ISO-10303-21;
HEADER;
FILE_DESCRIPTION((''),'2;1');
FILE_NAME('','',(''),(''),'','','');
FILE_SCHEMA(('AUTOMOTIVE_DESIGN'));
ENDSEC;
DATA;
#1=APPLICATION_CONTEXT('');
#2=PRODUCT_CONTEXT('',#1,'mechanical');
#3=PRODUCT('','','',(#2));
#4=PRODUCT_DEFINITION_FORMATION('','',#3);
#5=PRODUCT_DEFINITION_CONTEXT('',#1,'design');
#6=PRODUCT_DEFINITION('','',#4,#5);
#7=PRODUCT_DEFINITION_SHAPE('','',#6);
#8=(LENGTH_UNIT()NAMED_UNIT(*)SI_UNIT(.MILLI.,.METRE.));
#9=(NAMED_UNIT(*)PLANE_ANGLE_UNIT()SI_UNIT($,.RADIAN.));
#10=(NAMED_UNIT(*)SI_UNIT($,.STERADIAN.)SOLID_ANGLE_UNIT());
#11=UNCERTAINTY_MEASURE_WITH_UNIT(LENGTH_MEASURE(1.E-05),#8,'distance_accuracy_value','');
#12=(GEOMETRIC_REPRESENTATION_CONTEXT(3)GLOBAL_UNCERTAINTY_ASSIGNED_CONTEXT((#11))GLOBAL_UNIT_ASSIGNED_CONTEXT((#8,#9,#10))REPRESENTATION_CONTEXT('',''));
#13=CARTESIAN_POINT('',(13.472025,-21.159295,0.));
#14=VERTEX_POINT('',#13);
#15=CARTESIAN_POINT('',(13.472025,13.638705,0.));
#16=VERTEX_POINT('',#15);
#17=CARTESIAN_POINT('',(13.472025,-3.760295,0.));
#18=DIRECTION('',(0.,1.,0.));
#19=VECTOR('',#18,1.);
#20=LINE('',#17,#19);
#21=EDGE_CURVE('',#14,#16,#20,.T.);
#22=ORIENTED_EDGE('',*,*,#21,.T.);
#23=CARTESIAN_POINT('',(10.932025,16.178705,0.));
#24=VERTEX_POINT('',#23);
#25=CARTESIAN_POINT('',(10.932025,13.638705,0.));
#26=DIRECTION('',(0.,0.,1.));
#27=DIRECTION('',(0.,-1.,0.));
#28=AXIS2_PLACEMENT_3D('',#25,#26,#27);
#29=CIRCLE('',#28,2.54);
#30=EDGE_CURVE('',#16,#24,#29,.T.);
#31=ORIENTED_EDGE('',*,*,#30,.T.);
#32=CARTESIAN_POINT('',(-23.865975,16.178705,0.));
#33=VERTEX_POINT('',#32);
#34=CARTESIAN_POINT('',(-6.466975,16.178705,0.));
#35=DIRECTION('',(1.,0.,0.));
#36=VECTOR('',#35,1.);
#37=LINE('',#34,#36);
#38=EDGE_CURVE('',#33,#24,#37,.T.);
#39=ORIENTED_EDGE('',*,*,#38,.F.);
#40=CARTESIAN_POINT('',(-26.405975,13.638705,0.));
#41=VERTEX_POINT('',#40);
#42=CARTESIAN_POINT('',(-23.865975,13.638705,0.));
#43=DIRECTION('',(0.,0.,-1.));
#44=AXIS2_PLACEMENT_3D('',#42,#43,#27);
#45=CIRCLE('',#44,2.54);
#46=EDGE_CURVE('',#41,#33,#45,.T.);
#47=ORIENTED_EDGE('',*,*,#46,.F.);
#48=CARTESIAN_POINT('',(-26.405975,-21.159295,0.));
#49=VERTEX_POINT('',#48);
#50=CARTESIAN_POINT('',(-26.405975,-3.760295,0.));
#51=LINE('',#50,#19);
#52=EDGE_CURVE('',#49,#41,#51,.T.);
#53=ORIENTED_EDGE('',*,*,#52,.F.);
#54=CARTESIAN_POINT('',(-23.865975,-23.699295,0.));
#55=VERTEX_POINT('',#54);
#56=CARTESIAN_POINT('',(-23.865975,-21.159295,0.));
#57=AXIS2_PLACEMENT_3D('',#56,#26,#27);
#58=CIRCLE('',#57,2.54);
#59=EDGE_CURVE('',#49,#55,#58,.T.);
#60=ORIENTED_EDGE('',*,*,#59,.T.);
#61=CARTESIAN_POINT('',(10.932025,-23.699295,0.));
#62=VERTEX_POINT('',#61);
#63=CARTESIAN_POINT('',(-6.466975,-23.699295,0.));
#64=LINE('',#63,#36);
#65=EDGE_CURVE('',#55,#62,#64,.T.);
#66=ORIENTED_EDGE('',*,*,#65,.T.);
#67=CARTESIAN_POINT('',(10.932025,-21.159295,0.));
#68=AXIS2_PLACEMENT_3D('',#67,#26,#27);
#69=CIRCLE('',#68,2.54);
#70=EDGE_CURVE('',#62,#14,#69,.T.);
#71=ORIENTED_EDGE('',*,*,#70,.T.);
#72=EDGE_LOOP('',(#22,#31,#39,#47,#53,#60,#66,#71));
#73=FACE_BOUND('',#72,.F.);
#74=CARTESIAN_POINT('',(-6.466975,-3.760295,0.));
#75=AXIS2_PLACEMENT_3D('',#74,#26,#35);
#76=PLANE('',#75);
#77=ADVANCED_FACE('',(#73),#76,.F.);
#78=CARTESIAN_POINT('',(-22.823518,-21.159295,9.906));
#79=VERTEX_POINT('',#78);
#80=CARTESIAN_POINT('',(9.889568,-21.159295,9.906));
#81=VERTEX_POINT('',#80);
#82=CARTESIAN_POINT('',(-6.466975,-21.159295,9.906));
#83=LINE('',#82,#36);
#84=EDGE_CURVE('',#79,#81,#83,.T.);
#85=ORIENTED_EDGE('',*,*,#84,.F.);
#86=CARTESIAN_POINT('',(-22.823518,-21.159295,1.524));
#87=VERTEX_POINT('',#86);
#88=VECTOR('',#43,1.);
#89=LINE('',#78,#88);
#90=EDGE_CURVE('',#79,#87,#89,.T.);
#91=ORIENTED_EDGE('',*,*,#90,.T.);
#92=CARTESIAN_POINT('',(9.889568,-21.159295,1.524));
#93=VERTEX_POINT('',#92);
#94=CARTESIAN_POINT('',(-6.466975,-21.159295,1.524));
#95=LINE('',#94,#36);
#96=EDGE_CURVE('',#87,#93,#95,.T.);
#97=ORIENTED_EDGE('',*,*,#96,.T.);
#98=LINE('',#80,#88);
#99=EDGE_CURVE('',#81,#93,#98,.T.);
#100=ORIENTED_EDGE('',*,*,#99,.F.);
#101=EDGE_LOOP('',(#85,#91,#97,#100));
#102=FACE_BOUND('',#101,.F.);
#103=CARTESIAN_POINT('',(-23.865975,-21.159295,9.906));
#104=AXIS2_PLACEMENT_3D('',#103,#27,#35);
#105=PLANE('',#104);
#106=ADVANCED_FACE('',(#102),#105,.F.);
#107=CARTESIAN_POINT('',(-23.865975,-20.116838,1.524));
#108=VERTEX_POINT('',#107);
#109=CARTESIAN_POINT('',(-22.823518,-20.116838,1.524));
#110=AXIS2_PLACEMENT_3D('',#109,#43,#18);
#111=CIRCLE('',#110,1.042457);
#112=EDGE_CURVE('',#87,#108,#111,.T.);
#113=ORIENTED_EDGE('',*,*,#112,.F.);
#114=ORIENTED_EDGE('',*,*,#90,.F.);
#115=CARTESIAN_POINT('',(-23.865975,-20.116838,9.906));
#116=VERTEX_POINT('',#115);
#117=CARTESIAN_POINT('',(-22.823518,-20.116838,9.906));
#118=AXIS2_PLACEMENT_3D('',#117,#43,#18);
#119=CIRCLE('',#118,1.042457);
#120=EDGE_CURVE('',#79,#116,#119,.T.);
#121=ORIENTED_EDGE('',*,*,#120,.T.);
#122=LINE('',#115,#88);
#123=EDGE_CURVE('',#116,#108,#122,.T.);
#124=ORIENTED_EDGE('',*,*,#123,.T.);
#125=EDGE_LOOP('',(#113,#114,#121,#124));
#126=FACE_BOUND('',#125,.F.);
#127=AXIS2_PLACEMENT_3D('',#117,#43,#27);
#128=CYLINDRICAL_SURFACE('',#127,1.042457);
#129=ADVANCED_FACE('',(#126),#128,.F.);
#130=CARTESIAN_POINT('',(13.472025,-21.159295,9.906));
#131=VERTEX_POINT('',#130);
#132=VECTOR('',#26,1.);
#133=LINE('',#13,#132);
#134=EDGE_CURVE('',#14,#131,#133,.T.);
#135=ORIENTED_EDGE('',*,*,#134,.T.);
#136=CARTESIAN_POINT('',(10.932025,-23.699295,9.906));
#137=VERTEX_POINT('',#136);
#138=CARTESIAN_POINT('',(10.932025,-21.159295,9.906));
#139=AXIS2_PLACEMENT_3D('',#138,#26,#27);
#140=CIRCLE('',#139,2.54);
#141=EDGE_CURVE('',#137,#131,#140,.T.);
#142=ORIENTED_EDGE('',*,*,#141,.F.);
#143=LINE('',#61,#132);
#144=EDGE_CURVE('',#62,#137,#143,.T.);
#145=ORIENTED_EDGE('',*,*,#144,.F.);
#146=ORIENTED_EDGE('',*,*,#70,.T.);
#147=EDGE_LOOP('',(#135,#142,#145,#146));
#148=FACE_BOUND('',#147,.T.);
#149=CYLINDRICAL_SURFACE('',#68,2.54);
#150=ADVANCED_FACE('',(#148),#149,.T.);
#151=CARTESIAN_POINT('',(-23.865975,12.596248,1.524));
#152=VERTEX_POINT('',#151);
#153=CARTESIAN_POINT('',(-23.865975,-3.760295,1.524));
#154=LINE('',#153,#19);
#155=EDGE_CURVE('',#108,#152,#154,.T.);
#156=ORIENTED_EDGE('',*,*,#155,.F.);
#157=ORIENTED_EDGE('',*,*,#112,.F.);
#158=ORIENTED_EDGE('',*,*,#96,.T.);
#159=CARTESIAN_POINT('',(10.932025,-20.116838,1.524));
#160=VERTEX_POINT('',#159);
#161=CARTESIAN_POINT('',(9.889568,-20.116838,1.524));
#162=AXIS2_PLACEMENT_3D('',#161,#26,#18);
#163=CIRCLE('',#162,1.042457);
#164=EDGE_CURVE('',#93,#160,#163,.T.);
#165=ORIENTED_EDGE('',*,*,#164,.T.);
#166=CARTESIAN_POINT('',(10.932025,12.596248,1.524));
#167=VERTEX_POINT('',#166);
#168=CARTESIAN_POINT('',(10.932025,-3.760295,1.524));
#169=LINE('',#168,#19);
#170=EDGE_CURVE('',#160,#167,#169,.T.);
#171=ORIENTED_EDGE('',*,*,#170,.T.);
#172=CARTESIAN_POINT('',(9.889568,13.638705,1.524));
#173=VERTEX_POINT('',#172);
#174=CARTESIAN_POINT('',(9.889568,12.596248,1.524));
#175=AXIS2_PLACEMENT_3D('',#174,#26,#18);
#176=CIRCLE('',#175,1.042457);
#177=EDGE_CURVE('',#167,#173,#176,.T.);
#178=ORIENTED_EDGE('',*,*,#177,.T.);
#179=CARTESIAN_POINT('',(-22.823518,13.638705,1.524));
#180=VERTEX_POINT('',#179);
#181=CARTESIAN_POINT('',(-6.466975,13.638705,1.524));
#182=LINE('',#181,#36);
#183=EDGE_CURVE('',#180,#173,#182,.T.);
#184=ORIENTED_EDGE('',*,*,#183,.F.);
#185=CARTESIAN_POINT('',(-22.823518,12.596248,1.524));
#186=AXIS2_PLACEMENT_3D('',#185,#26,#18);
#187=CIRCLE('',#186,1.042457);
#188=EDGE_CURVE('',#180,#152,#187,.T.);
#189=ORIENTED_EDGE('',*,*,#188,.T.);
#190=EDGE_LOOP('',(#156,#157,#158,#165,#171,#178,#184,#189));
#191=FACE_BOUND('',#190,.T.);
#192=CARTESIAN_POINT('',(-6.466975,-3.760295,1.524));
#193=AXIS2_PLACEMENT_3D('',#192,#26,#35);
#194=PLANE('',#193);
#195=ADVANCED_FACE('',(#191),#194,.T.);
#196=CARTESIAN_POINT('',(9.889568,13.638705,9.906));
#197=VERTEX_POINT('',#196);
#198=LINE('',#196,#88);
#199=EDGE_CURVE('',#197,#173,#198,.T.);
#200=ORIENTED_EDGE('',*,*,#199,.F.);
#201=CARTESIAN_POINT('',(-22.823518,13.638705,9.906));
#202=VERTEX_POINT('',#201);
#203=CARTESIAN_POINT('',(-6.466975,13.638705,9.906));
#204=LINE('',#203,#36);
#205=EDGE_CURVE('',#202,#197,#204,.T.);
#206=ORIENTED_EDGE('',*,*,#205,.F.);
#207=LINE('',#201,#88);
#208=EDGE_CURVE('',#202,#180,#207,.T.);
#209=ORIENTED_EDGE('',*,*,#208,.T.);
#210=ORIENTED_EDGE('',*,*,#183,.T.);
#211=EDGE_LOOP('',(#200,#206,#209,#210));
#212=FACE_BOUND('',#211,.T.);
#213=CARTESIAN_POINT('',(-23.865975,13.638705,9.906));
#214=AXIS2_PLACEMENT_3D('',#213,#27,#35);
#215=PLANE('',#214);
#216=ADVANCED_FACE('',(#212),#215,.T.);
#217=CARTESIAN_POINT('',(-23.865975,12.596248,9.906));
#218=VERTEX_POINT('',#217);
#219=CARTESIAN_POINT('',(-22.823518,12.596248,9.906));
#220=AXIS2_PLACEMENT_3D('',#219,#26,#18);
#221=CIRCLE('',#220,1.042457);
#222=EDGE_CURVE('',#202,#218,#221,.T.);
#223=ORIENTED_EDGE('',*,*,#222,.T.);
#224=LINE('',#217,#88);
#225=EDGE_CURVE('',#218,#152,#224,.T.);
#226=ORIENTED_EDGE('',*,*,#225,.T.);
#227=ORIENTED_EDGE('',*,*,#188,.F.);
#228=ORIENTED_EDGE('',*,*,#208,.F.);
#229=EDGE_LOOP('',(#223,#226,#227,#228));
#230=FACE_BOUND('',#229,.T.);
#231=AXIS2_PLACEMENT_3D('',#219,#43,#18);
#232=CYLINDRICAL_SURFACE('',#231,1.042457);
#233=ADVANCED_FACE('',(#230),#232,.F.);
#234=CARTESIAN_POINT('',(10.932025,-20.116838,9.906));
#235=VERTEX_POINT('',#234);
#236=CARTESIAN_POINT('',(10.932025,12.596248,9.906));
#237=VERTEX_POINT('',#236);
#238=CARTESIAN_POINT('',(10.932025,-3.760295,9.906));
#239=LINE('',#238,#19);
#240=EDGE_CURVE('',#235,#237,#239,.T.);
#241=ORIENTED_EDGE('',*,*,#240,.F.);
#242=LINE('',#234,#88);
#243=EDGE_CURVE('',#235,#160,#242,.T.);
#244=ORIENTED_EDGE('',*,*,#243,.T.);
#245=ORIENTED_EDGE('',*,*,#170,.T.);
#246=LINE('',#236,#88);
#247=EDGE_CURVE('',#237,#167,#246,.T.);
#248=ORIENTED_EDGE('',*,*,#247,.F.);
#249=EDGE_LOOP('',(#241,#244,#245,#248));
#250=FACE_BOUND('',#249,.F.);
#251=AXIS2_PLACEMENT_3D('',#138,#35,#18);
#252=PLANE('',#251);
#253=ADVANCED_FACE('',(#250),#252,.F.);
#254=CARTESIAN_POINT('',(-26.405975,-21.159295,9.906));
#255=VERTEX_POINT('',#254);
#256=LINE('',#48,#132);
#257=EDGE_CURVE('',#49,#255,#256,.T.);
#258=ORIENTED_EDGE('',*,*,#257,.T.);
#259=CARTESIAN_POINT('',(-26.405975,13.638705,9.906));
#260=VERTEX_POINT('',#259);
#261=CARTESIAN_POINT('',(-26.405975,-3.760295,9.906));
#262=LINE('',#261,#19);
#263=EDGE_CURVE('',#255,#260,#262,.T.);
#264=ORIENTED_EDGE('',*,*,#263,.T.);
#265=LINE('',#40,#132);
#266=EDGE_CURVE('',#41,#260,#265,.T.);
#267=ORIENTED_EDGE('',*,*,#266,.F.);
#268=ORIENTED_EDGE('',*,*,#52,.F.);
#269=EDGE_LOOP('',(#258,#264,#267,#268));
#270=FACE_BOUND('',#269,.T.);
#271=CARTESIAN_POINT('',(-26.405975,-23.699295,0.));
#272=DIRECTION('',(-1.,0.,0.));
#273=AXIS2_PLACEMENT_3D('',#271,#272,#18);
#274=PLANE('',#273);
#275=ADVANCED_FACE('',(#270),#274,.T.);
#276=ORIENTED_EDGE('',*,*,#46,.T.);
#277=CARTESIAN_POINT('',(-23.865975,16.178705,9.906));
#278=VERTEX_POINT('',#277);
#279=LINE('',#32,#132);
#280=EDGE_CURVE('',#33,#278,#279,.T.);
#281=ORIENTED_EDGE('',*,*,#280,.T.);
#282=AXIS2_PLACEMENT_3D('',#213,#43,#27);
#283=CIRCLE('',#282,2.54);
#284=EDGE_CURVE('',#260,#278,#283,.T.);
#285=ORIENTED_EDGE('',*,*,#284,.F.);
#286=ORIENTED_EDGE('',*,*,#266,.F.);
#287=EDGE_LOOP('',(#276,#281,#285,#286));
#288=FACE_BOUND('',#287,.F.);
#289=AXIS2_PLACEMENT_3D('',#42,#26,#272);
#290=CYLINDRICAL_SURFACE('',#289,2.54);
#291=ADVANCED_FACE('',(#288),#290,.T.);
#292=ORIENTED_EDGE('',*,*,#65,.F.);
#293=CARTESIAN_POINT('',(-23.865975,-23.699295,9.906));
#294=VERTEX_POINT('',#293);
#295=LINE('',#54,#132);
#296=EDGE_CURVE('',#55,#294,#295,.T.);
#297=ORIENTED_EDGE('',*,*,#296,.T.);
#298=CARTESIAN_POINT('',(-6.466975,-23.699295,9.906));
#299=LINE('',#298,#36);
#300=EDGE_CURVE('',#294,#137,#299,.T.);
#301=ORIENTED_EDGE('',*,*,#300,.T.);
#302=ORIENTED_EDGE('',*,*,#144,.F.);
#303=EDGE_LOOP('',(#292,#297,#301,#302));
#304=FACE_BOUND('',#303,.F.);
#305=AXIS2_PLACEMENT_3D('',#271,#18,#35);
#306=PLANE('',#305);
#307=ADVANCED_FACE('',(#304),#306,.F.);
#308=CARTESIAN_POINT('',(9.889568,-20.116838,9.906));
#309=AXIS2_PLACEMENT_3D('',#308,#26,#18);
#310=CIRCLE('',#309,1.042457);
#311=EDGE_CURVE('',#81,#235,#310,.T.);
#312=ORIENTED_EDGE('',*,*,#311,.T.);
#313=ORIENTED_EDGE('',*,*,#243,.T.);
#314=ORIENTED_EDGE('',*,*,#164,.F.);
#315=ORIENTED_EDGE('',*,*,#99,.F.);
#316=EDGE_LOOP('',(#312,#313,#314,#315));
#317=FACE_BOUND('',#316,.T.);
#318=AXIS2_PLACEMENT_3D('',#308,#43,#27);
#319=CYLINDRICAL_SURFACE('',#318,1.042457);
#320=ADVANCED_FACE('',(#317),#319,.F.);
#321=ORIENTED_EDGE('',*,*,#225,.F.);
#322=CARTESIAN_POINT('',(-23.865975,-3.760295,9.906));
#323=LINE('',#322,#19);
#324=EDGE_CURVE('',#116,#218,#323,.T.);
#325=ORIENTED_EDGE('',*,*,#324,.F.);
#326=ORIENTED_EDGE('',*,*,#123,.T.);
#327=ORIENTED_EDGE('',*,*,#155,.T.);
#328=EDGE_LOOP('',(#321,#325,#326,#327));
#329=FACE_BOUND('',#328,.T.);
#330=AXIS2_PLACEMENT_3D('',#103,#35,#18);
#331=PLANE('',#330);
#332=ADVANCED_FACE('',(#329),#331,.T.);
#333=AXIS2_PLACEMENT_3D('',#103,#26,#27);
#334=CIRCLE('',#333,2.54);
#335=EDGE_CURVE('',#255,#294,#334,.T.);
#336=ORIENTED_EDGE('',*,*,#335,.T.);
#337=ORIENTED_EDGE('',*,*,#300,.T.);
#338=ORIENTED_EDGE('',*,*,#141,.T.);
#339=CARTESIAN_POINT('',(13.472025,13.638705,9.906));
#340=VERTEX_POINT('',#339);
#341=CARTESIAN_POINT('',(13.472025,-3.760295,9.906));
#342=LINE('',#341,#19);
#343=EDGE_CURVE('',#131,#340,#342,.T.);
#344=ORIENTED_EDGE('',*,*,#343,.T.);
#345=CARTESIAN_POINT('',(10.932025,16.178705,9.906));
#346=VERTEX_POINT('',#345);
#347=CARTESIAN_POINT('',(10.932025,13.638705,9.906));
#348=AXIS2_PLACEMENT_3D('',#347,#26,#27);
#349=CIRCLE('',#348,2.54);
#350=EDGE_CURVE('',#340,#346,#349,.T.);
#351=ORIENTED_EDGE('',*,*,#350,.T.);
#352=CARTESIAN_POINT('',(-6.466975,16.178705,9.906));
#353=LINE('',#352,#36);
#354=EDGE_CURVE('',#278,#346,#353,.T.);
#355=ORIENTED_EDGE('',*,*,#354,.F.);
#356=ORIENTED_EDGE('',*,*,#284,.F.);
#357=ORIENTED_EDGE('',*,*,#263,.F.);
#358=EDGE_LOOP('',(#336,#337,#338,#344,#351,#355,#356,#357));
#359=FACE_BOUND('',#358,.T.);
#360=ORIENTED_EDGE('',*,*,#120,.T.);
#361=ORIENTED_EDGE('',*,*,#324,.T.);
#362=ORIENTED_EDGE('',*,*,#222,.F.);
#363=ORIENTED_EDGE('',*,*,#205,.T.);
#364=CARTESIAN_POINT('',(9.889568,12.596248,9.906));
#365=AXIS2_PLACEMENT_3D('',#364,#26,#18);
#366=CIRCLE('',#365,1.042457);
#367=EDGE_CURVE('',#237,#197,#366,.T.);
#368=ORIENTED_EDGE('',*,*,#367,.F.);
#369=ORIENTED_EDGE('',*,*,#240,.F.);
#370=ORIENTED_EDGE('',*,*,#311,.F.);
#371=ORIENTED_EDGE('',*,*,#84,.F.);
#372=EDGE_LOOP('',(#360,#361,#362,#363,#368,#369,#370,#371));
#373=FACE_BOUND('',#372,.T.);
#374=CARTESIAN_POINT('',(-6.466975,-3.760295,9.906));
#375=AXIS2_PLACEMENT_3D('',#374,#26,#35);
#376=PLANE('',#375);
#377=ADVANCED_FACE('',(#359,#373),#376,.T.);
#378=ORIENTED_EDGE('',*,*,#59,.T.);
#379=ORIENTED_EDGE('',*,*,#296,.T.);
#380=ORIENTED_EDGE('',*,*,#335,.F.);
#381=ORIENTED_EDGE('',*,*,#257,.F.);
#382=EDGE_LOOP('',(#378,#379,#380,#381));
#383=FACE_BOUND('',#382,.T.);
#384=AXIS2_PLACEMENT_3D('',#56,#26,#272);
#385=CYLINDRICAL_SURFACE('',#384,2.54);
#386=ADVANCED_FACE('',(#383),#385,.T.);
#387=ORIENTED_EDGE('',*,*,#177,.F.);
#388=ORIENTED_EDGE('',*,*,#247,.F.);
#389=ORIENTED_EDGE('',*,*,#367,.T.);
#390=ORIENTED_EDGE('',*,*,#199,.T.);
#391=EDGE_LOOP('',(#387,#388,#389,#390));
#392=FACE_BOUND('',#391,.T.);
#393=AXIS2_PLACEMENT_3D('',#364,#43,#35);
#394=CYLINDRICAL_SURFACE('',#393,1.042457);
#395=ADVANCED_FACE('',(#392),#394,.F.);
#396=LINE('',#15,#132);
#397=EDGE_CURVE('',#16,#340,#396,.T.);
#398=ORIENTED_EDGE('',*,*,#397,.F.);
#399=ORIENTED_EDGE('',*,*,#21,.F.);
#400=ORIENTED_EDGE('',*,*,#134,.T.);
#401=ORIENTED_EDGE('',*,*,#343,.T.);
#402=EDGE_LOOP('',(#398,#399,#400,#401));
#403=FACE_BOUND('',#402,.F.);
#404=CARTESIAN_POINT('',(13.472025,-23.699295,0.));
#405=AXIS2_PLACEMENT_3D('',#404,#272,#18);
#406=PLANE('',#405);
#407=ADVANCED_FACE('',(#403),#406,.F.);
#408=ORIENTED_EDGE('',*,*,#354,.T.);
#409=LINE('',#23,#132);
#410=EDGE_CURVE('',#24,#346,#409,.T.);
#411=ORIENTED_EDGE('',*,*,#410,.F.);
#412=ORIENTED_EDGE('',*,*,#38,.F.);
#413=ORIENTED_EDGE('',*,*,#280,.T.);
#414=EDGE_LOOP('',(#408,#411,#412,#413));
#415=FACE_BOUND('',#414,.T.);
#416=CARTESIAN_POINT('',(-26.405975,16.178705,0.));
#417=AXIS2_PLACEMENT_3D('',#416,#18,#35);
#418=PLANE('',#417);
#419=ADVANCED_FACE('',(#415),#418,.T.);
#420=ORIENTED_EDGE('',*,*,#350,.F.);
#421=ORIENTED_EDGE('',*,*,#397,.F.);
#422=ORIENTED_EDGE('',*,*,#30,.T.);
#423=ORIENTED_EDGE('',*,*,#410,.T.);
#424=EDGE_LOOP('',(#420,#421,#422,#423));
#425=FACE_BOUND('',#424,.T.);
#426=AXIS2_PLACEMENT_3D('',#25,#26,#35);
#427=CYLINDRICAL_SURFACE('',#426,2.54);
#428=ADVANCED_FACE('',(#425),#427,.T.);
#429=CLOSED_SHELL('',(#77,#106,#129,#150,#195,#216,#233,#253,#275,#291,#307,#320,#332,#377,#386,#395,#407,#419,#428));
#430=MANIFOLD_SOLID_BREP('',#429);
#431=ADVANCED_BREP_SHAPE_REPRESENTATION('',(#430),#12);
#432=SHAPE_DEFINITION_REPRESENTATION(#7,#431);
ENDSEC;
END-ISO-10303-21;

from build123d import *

# Parameters (mm, degrees)
F0_W     = 39.878
F0_H     = 39.878
F1_DEPTH = 9.906
F2_R     = 2.54
F3_W     = 34.798
F3_H     = 34.798
F4_DEPTH = 8.382
F5_R     = 1.042457


with BuildPart() as f1:
    # F0 (on Top) → F1 (new body)
    with BuildSketch(Plane.XY):
        with Locations((-6.466975, -3.760295)):
            Rectangle(F0_W, F0_H)
    extrude(amount=F1_DEPTH)

    # F2
    f2_edges = [f1.edges().sort_by_distance(p)[0] for p in [
        (13.472025, -23.699295, 4.953),
        (-26.405975, -23.699295, 4.953),
        (-26.405975, 16.178705, 4.953),
        (13.472025, 16.178705, 4.953),
    ]]
    fillet(f2_edges, radius=F2_R)

    # F3 (on face) → F4 (cut)
    with BuildSketch(Plane.XY.offset(9.906)):
        with Locations((-6.466975, -3.760295)):
            Rectangle(F3_W, F3_H)
    extrude(amount=-F4_DEPTH, mode=Mode.SUBTRACT)

    # F5
    f5_edges = [f1.edges().sort_by_distance(p)[0] for p in [
        (-23.865975, 13.638705, 5.715),
        (10.932025, 13.638705, 5.715),
        (10.932025, -21.159295, 5.715),
        (-23.865975, -21.159295, 5.715),
    ]]
    fillet(f5_edges, radius=F5_R)


solid = f1.part
